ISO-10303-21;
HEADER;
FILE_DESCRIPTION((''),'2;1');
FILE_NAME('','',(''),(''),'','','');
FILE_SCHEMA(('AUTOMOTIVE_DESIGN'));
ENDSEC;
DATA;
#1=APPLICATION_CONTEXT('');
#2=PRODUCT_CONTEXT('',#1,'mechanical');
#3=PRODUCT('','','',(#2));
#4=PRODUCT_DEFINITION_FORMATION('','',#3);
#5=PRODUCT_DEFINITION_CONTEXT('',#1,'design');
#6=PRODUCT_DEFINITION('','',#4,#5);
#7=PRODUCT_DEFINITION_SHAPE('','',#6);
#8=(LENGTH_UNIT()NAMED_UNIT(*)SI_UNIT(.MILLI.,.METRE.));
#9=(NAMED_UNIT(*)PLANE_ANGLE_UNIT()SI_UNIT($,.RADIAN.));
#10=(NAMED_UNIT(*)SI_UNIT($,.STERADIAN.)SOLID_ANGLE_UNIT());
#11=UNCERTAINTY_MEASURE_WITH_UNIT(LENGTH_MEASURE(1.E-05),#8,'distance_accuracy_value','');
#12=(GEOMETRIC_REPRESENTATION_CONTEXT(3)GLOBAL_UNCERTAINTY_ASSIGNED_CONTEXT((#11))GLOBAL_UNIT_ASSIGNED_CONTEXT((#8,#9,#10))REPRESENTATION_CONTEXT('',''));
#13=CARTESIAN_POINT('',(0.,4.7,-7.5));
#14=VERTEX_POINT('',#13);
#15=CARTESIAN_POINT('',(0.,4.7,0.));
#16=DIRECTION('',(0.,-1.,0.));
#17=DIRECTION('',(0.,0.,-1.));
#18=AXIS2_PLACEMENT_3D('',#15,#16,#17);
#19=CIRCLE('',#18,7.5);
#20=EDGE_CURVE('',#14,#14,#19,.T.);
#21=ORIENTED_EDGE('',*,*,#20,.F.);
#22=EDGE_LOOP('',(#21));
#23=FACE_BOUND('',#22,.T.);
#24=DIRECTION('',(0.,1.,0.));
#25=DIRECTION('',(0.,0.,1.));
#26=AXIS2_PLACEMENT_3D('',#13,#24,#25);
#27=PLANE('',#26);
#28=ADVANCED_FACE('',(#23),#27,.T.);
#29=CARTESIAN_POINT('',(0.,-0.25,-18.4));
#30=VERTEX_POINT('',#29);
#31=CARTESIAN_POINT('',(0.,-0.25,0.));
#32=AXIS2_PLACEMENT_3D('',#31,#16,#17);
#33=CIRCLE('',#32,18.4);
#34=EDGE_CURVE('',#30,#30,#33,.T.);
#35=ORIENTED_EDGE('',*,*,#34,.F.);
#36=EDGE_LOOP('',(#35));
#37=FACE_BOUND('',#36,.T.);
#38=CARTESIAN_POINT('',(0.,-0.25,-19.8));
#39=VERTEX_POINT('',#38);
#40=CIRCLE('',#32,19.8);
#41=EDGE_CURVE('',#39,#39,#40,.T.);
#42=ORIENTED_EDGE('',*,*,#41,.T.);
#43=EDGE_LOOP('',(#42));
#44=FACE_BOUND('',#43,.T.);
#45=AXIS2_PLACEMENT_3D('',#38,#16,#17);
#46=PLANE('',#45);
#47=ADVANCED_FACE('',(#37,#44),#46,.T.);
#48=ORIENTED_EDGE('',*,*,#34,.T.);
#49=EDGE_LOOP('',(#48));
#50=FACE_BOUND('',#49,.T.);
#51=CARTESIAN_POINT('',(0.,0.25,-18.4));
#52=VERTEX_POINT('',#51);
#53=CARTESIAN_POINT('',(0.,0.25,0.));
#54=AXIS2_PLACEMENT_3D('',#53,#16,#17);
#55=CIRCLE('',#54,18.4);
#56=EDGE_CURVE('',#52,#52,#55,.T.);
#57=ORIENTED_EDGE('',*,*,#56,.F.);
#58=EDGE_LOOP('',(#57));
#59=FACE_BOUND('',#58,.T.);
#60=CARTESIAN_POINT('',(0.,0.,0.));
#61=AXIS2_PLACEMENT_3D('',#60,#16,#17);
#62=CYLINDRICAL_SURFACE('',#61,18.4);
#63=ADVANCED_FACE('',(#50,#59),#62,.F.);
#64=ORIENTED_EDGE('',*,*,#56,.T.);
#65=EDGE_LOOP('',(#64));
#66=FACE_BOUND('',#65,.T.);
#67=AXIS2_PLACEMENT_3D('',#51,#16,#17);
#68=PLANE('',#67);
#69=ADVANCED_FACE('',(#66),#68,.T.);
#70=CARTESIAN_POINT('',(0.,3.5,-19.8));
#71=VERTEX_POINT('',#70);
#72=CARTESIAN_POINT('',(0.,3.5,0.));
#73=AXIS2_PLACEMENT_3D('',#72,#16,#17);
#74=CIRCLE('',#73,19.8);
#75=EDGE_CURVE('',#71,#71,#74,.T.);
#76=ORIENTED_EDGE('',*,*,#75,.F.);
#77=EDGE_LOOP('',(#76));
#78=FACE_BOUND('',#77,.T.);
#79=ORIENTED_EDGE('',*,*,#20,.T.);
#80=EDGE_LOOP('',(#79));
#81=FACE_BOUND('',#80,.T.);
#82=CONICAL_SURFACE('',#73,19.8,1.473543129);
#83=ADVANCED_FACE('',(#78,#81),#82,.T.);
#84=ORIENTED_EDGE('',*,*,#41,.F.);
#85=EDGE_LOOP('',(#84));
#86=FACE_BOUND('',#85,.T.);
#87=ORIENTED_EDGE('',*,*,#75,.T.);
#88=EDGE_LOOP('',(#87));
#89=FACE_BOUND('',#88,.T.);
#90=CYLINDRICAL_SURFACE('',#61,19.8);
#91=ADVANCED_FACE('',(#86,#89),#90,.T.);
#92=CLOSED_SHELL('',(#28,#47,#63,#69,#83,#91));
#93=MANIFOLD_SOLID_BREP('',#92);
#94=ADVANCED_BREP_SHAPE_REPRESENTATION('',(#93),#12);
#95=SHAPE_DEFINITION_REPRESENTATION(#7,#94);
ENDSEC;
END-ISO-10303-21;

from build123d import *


with BuildPart() as part:
    # Sketch1 → Revolve1 (revolve)
    with BuildSketch(Plane(origin=(0, 0, 0), x_dir=(0, 0, -1), z_dir=(1, 0, 0))):
        Polygon((19.8, -0.25), (19.8, 3.5), (7.5, 4.7), (0, 4.7), (0, 0.25), (18.4, 0.25), (18.4, -0.25), align=None)
    revolve(axis=Axis((0, 0, 0), (0, 1, 0)))


solid = part.part
